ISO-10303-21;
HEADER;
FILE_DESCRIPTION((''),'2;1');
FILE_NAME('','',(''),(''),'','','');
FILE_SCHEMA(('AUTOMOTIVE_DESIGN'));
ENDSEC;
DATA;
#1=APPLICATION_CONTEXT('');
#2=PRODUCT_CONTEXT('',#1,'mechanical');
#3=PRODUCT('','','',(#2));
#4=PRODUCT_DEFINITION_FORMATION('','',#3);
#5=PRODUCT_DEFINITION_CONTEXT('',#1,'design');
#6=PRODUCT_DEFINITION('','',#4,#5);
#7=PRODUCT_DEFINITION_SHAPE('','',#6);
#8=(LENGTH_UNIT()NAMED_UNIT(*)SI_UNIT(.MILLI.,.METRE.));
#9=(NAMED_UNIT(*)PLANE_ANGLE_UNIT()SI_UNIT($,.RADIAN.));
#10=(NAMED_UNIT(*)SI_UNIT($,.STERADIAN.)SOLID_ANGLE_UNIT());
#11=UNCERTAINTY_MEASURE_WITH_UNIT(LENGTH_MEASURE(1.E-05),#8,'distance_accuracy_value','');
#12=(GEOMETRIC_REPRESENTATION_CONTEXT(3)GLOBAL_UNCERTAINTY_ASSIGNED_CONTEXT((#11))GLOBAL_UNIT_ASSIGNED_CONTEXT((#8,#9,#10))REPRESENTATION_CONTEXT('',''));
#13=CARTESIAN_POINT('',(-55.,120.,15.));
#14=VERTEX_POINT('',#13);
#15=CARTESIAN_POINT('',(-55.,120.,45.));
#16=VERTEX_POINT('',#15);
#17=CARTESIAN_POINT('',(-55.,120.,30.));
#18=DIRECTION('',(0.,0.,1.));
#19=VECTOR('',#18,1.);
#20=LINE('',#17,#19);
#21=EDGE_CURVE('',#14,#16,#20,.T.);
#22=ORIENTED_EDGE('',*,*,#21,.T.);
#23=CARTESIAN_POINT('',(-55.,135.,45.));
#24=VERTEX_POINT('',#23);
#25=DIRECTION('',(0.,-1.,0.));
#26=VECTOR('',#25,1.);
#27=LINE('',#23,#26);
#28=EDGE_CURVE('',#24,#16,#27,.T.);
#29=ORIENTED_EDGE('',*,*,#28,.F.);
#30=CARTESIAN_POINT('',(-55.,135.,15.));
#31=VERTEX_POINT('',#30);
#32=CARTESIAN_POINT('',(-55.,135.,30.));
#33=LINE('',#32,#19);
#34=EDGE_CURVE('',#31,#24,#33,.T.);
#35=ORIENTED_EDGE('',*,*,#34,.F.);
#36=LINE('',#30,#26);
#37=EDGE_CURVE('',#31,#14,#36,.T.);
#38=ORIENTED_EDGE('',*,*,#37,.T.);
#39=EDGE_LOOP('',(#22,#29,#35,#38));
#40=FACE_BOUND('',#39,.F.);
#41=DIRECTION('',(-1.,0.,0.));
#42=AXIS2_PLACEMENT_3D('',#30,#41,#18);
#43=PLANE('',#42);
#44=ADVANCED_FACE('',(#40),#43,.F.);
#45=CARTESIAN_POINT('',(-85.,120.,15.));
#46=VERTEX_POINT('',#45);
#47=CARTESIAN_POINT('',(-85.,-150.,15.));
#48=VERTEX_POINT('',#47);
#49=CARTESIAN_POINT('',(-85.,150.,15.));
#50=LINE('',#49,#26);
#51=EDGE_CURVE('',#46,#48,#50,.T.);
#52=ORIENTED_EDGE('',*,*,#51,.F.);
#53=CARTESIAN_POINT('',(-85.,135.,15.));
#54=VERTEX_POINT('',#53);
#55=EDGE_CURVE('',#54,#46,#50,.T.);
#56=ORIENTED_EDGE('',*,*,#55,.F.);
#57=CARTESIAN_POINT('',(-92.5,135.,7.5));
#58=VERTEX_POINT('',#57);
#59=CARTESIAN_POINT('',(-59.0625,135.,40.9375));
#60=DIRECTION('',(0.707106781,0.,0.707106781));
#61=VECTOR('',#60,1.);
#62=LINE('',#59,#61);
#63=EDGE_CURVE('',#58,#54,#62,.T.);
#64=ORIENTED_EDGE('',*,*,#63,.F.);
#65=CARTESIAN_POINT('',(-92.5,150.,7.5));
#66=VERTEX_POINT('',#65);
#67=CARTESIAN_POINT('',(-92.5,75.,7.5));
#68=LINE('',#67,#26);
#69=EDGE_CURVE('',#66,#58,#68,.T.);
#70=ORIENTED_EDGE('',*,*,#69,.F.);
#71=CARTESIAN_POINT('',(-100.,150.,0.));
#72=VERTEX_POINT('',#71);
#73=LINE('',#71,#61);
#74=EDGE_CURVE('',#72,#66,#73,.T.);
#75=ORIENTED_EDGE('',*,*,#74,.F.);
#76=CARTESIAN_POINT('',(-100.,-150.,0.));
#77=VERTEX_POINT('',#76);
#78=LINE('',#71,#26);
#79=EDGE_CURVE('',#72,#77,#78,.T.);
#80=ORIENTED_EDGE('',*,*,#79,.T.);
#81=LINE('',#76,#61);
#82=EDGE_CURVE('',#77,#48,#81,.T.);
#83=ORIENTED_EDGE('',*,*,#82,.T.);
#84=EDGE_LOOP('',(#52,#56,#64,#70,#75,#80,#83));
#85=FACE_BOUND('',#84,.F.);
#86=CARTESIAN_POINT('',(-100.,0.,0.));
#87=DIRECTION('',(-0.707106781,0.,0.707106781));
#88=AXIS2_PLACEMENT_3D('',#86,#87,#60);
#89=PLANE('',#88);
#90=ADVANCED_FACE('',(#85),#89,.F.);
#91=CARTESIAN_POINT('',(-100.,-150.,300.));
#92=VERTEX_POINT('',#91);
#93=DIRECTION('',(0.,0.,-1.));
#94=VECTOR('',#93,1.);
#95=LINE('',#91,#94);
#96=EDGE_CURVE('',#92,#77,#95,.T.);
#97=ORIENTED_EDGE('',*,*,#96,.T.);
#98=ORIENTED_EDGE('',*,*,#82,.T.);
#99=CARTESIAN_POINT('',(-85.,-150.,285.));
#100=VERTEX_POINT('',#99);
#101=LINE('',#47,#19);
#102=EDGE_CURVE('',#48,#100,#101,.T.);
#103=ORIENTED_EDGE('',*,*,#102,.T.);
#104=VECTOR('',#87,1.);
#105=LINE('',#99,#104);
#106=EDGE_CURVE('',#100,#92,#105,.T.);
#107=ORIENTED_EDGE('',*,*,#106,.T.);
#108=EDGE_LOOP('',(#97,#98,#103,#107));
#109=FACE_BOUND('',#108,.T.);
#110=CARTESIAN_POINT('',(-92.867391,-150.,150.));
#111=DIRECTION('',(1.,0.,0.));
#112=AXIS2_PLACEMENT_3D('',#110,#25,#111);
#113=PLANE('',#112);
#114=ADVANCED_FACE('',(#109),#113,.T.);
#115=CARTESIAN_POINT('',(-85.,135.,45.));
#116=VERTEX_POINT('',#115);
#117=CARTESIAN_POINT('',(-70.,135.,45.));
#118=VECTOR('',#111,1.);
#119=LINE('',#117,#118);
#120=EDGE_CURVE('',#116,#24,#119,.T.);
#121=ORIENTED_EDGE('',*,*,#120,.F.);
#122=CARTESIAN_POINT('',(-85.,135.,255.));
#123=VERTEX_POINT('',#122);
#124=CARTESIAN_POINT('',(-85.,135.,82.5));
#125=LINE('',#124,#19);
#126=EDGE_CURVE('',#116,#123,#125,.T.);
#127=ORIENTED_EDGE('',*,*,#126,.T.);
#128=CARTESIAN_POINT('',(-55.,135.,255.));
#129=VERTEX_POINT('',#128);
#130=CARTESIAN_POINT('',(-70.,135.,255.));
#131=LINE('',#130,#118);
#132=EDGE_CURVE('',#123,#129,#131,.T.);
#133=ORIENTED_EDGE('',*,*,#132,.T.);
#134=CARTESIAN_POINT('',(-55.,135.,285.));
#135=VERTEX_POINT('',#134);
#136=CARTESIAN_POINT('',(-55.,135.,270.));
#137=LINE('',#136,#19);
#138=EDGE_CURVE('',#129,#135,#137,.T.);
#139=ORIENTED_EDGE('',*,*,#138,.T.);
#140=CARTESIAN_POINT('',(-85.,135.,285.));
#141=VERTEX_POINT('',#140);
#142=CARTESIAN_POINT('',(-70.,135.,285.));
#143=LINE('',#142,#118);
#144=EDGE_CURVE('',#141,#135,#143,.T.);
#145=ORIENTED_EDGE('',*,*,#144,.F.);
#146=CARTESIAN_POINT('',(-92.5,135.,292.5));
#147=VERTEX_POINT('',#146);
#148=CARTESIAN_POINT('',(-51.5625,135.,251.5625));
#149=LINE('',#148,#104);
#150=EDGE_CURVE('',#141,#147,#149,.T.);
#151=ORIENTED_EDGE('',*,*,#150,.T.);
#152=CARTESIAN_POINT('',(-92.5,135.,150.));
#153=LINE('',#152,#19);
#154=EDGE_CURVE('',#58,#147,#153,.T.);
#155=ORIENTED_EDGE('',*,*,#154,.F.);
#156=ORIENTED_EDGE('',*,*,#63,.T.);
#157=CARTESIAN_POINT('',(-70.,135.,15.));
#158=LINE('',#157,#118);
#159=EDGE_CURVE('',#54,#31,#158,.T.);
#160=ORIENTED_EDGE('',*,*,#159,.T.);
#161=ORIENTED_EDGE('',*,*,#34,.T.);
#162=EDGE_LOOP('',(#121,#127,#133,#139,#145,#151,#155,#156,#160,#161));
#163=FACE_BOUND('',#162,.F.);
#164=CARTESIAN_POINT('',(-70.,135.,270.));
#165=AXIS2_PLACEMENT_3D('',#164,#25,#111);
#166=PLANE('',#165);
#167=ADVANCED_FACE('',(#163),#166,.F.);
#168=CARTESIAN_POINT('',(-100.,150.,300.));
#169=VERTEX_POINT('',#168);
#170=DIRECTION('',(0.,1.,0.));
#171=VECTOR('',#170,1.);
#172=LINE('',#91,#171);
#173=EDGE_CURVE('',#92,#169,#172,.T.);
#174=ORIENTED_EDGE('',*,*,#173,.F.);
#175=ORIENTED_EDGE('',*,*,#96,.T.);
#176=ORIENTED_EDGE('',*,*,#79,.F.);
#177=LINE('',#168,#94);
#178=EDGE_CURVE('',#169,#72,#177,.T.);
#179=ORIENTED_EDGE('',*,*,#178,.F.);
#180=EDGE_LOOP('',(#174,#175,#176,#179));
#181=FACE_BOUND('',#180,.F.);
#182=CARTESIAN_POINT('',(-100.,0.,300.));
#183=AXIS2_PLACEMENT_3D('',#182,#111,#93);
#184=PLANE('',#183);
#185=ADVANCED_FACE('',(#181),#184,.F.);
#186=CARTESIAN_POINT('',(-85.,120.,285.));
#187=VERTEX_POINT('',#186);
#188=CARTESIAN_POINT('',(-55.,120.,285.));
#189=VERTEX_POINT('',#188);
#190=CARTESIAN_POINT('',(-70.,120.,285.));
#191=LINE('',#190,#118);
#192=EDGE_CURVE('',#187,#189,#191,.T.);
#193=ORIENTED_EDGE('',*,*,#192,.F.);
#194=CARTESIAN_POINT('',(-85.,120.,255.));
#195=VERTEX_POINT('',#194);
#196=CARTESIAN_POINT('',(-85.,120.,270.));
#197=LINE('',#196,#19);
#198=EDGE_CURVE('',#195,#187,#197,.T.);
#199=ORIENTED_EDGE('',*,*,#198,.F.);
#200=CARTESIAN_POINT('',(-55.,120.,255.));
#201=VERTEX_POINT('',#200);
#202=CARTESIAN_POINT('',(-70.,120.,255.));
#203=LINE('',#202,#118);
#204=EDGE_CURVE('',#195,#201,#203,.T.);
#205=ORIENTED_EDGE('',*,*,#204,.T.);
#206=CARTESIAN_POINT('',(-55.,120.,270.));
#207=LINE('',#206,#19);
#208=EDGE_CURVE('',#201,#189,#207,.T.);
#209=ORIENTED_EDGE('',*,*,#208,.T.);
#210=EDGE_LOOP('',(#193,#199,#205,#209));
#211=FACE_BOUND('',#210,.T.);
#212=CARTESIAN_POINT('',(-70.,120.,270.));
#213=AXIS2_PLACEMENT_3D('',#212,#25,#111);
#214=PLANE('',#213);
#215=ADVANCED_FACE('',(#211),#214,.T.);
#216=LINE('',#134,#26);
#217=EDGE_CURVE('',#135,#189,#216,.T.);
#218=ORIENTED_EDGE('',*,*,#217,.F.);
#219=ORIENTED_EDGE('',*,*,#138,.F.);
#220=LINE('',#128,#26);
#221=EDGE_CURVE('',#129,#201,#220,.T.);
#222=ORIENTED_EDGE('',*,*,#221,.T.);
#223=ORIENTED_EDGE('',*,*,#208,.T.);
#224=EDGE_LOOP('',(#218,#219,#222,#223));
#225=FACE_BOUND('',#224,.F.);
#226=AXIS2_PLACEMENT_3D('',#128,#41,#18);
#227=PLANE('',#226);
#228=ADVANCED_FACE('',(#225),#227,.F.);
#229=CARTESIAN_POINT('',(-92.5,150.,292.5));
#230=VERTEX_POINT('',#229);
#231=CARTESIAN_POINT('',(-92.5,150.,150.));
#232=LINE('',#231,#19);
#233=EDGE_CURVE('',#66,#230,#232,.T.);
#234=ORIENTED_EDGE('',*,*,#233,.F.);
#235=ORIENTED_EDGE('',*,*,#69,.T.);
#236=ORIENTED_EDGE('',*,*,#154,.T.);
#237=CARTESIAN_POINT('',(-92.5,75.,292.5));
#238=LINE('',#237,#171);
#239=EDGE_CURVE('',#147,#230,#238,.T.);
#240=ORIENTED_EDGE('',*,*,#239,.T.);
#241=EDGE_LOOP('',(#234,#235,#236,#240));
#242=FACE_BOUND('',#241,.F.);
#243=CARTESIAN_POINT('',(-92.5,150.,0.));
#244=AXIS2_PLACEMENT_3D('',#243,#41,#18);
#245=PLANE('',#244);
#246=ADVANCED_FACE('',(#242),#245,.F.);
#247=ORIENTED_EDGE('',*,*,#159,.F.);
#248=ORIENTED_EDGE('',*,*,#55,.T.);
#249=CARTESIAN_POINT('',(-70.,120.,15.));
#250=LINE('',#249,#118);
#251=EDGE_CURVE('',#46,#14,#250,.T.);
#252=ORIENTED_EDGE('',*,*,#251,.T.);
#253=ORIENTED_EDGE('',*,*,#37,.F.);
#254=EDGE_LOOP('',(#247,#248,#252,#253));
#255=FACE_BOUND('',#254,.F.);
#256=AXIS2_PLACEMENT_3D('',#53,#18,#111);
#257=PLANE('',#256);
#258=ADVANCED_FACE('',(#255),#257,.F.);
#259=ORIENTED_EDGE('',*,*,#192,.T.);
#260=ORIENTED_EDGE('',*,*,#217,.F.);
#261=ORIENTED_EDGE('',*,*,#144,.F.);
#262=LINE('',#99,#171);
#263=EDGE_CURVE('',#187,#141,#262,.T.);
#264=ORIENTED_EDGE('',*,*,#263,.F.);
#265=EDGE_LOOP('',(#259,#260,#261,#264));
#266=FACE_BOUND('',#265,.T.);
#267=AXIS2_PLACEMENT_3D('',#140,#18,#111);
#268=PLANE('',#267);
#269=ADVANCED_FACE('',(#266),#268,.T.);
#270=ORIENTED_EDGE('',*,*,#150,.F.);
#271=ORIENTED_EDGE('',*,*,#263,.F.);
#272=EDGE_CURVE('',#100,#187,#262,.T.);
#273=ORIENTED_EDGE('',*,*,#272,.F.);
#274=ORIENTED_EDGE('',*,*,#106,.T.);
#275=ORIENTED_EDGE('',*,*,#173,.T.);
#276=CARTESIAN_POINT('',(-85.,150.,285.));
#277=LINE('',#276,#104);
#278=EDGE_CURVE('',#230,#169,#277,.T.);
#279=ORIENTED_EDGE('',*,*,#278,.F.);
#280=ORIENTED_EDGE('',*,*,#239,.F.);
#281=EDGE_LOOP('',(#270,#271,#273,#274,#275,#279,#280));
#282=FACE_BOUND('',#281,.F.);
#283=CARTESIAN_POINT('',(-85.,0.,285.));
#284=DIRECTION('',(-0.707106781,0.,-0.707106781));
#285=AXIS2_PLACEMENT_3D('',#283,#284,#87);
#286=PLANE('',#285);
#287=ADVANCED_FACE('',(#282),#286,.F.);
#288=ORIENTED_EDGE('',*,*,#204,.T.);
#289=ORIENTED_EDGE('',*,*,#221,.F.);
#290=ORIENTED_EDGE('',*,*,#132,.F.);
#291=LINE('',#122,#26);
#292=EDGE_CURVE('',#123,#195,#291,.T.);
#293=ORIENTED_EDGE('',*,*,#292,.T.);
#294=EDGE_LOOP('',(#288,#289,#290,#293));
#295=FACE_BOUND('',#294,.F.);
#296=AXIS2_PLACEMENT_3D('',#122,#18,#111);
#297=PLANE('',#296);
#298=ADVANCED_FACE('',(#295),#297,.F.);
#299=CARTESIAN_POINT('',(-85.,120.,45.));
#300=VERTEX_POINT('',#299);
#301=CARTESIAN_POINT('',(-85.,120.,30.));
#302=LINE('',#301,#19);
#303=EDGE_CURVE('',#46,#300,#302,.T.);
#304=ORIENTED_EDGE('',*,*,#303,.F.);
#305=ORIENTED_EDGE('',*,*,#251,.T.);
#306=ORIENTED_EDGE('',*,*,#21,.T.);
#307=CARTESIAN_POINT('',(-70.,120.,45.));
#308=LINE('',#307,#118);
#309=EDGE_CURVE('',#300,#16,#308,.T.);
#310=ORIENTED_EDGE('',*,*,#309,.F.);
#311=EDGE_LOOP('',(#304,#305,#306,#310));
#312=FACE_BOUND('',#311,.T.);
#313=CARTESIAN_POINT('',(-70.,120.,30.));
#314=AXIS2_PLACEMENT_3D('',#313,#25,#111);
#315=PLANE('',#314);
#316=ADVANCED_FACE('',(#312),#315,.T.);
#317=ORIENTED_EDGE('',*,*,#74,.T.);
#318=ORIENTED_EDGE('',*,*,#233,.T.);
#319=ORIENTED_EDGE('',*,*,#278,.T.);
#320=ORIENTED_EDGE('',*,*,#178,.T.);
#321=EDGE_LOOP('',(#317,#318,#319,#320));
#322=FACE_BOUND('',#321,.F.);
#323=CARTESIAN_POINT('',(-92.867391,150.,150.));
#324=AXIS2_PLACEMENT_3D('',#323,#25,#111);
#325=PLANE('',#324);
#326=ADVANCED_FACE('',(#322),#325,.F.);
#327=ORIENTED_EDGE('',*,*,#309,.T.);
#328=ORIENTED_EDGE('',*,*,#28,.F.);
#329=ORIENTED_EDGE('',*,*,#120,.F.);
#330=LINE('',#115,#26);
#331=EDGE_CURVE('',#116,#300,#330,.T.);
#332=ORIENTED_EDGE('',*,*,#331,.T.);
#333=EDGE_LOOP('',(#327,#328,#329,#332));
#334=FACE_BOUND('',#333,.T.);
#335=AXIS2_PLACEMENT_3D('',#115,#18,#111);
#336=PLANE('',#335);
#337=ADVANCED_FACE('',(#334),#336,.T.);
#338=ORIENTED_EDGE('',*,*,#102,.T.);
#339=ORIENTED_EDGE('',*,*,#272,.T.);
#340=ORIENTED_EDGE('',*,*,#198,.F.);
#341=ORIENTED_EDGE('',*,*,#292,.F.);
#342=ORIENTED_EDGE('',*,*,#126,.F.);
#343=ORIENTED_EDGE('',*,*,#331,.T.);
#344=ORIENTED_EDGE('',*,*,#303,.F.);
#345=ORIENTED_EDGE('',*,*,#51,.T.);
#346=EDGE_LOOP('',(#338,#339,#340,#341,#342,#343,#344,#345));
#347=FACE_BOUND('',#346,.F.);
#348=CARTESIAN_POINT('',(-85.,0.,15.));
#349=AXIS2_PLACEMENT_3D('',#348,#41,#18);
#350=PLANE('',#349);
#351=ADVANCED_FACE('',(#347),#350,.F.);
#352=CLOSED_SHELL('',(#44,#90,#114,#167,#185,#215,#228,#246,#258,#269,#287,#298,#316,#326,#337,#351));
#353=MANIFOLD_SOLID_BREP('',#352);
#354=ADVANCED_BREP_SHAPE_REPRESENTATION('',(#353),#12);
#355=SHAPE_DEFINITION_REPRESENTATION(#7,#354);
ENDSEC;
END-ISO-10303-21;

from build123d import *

# Parameters (mm, degrees)
F5_DEPTH      = 150
F5_DEPTH_BACK = 150
F6_W          = 12.5
F6_H          = 300
F7_DEPTH      = 15
F9_W          = 30
F9_H          = 30
F10_DEPTH     = 15


with BuildPart() as f5:
    # F2 (on Front) → F5 (new body, two sides)
    with BuildSketch(Plane.XZ) as f5_sk:
        Polygon((-100, 300), (-100, 0), (-85, 15), (-85, 285), align=None)
    extrude(amount=-F5_DEPTH)
    extrude(f5_sk.sketch, amount=F5_DEPTH_BACK)

    # F6 (on offset) → F7 (cut)
    with BuildSketch(Plane.XZ.offset(-150)):
        with Locations((-86.25, 150)):
            Rectangle(F6_W, F6_H)
    extrude(amount=F7_DEPTH, mode=Mode.SUBTRACT)

    # F9 (on offset) → F10 (join)
    with BuildSketch(Plane.XZ.offset(-135)):
        with Locations((-70, 270)):
            Rectangle(F9_W, F9_H)
        with Locations((-70, 30)):
            Rectangle(F9_W, F9_H)
    extrude(amount=F10_DEPTH)


solid = f5.part
